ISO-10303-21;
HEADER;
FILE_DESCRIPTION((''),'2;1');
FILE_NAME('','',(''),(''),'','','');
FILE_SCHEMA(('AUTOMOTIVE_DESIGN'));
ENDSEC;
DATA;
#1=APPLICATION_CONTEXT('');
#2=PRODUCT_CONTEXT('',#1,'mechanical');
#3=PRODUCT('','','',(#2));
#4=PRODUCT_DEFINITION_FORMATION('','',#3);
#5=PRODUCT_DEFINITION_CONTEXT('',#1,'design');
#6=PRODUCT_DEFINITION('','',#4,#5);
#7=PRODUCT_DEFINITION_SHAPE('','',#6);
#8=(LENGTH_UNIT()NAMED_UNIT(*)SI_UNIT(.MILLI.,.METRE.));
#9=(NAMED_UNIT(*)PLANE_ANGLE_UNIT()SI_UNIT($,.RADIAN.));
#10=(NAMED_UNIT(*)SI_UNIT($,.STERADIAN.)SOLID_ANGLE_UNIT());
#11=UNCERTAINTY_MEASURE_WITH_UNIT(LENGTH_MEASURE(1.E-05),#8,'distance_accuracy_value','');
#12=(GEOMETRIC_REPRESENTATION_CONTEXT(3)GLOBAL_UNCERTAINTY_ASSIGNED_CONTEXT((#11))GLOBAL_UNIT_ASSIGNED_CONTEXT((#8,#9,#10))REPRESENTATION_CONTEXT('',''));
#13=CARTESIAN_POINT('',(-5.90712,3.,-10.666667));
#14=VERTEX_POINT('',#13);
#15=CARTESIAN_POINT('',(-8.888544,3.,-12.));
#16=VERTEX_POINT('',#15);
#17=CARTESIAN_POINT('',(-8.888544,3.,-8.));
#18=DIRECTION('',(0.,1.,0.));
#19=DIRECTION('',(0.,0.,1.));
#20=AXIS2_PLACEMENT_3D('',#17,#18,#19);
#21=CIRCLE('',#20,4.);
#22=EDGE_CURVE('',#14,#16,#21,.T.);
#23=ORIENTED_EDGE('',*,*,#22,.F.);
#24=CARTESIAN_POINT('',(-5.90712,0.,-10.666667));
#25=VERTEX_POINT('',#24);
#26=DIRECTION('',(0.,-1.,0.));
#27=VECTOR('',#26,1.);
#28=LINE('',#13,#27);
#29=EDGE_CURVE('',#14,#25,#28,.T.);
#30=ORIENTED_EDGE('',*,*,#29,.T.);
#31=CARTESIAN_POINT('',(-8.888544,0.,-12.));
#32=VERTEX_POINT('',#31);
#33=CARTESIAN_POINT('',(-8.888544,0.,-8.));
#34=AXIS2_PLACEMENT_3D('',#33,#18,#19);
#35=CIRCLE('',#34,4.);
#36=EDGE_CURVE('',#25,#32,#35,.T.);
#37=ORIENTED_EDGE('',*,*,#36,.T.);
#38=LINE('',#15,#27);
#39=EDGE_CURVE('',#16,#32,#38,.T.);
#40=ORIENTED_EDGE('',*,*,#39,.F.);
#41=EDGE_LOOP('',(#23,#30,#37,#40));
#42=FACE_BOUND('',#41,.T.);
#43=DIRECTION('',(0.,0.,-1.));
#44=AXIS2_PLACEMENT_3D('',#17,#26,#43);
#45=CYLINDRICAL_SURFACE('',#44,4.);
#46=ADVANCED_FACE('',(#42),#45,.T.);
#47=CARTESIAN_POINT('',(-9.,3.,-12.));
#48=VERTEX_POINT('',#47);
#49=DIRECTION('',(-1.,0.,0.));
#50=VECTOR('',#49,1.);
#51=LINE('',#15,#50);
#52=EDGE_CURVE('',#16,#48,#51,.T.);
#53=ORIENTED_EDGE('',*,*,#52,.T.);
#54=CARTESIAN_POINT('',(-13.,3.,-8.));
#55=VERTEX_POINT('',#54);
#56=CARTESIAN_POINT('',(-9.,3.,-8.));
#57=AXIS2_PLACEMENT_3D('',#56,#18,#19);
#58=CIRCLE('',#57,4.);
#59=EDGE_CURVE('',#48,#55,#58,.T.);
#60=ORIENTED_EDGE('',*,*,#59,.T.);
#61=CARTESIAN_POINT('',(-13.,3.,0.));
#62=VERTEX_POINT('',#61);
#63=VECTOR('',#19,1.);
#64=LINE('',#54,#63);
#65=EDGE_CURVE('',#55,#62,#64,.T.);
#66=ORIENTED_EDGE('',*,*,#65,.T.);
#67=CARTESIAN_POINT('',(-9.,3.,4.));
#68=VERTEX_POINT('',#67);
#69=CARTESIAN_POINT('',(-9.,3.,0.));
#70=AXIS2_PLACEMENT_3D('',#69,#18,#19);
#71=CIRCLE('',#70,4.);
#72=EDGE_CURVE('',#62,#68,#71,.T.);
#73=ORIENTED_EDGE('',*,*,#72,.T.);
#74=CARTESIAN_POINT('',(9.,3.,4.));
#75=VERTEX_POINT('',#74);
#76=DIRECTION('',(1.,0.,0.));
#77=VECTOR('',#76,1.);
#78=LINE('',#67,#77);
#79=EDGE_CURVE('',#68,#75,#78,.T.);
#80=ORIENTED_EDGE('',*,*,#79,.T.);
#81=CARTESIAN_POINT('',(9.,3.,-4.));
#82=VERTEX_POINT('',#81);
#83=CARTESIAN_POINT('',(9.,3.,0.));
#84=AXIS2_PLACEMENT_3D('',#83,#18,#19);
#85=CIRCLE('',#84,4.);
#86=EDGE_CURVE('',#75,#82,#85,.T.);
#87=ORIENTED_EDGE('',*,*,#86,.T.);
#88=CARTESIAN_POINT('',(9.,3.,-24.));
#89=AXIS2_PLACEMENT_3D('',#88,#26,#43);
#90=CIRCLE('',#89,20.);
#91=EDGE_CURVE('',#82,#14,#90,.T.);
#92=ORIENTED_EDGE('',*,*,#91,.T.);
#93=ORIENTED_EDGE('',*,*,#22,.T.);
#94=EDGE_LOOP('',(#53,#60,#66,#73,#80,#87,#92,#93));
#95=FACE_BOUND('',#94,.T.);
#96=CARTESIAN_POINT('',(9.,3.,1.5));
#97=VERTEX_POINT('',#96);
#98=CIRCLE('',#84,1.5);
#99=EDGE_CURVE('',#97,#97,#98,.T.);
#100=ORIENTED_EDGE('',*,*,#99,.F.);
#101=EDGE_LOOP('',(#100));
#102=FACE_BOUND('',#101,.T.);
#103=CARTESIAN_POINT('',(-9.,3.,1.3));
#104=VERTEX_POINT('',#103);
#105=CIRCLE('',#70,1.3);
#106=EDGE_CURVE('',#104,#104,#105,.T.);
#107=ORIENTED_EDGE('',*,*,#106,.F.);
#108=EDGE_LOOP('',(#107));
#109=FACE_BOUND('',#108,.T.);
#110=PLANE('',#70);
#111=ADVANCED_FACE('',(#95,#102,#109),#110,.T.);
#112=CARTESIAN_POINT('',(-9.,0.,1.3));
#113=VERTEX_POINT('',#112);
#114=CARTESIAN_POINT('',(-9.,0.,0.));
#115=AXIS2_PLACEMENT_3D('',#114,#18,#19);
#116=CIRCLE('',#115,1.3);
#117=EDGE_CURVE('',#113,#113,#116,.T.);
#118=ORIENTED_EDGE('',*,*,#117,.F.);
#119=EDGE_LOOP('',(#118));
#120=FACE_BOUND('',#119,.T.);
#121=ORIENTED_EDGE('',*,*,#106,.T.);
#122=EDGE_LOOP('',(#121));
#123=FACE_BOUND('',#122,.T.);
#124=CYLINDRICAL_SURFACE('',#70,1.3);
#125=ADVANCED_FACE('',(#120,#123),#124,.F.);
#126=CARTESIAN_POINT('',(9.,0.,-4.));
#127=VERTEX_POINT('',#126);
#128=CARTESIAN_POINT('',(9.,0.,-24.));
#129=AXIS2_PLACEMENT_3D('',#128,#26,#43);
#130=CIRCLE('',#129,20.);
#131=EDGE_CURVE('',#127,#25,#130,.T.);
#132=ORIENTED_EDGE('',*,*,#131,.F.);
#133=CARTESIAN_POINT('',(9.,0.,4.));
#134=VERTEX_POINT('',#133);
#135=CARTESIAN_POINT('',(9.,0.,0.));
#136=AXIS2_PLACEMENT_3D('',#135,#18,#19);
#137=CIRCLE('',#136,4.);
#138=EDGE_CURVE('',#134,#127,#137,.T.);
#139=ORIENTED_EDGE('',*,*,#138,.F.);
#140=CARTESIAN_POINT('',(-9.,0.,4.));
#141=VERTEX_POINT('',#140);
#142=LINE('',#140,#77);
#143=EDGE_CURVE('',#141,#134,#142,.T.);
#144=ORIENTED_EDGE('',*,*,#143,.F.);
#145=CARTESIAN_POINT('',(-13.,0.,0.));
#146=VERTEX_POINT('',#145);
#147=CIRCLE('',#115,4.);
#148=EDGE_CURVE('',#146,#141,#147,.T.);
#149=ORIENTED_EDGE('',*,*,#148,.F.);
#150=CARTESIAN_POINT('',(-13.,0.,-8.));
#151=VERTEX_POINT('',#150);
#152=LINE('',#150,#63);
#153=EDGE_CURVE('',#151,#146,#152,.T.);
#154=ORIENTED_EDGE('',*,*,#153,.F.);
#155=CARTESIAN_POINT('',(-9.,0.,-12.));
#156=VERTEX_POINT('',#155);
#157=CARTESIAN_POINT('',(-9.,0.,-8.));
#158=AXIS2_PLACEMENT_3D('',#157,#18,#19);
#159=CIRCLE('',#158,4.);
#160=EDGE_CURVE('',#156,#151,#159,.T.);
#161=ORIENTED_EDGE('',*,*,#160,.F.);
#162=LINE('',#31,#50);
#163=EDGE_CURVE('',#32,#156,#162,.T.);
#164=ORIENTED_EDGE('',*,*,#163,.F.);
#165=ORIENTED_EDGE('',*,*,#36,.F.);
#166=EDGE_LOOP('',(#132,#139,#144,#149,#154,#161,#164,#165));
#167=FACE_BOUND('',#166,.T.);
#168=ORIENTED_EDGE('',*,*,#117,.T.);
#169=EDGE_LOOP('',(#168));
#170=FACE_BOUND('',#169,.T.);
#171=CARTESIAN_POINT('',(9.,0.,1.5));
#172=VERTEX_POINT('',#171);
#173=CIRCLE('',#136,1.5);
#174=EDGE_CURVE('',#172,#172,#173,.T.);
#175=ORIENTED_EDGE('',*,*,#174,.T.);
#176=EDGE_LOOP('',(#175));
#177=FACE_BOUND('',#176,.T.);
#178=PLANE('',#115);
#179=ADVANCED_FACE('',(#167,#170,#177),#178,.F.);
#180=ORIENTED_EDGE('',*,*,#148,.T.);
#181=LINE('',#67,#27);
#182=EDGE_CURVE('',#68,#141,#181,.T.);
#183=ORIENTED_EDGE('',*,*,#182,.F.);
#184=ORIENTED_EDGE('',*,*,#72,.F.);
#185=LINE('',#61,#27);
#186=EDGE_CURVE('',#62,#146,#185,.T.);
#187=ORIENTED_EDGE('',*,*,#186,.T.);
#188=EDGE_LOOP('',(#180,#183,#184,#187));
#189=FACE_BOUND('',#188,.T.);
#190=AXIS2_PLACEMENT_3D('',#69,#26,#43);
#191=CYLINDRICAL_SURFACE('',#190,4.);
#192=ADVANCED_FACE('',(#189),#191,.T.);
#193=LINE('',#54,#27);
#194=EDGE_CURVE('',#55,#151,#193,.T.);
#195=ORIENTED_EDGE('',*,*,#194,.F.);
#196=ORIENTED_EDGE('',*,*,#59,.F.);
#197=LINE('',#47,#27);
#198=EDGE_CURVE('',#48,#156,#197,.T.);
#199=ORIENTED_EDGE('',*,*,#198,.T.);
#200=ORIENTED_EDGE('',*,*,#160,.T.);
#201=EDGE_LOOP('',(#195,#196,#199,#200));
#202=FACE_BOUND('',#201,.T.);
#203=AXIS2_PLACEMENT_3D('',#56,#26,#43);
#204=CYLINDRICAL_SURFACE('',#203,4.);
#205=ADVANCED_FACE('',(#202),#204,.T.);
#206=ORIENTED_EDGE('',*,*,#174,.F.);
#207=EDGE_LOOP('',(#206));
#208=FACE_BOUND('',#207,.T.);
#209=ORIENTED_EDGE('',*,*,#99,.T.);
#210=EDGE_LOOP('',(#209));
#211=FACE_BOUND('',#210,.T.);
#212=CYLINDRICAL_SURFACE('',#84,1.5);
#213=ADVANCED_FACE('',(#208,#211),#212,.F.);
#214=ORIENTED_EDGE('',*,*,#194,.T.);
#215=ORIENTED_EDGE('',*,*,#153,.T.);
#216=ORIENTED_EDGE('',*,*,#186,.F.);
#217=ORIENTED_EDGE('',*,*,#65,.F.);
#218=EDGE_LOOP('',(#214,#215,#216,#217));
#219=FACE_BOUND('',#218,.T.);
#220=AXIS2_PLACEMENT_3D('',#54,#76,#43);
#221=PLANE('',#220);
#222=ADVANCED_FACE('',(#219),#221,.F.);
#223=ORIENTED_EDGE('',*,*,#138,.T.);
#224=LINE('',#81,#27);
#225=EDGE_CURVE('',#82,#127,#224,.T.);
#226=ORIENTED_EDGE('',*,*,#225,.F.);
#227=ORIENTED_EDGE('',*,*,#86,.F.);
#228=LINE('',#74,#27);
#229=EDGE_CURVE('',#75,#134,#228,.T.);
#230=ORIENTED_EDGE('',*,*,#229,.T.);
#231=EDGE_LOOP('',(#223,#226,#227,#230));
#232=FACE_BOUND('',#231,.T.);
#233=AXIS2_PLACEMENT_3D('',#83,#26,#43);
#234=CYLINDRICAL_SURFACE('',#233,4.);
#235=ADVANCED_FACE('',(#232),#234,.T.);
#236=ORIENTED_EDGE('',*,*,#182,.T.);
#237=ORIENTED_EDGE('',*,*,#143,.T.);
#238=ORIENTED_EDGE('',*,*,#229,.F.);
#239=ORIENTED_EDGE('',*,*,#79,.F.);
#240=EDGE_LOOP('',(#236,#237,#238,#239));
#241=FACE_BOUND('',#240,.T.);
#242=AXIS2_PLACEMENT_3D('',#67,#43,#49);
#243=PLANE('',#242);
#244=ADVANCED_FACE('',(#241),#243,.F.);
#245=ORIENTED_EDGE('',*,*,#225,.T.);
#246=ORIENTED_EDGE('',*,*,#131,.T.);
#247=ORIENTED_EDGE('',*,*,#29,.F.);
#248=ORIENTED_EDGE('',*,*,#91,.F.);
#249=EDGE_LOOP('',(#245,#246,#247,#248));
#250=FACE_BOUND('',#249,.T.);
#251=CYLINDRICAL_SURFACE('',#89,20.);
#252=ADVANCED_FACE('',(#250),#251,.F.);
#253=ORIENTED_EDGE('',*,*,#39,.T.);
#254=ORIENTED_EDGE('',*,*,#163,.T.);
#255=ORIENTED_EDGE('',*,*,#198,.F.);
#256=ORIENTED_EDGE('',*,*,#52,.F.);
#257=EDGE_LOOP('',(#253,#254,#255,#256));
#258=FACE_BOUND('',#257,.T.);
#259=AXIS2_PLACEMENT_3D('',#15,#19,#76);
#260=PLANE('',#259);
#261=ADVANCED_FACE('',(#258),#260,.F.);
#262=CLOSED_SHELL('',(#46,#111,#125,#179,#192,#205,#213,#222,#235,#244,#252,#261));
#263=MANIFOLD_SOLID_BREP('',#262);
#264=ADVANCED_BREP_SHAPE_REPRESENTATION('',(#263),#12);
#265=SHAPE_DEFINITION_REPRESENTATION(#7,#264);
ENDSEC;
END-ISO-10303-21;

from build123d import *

# Parameters (mm, degrees)
RESSALTO_EXTRUS_O1_DEPTH     = 3
FURO_DE_DI_METRO_3_0_3_1_D   = 3
FURO_DE_DI_METRO_2_6_2_6_1_D = 2.6


with BuildPart() as part:
    # Esboço1 → Ressalto-extrusão1 (new body)
    with BuildSketch(Plane(origin=(0, 0, 0), x_dir=(1, 0, 0), z_dir=(0, 1, 0))):
        with BuildLine():
            Line((-9, -4), (9, -4))
            ThreePointArc((9, -4), (13, 0), (9, 4))
            ThreePointArc((9, 4), (0.835034191, 5.742581416), (-5.90711985, 10.666666667))
            ThreePointArc((-5.90711985, 10.666666667), (-7.255550658, 11.651483717), (-8.88854382, 12))
            Line((-8.88854382, 12), (-9, 12))
            ThreePointArc((-9, 12), (-11.828427125, 10.828427125), (-13, 8))
            Line((-13, 8), (-13, 0))
            ThreePointArc((-13, 0), (-11.828427125, -2.828427125), (-9, -4))
        make_face()
    extrude(amount=RESSALTO_EXTRUS_O1_DEPTH)

    # Furo de diâmetro Ø3.0 (3)1 (through all)
    with Locations(Plane(origin=(0, 3, 0), x_dir=(1, 0, 0), z_dir=(0, 1, 0))):
        with Locations((9, 0)):
            Hole(FURO_DE_DI_METRO_3_0_3_1_D / 2)

    # Furo de diâmetro Ø2.6 (2.6)1 (through all)
    with Locations(Plane(origin=(0, 3, 0), x_dir=(1, 0, 0), z_dir=(0, 1, 0))):
        with Locations((-9, 0)):
            Hole(FURO_DE_DI_METRO_2_6_2_6_1_D / 2)


solid = part.part
